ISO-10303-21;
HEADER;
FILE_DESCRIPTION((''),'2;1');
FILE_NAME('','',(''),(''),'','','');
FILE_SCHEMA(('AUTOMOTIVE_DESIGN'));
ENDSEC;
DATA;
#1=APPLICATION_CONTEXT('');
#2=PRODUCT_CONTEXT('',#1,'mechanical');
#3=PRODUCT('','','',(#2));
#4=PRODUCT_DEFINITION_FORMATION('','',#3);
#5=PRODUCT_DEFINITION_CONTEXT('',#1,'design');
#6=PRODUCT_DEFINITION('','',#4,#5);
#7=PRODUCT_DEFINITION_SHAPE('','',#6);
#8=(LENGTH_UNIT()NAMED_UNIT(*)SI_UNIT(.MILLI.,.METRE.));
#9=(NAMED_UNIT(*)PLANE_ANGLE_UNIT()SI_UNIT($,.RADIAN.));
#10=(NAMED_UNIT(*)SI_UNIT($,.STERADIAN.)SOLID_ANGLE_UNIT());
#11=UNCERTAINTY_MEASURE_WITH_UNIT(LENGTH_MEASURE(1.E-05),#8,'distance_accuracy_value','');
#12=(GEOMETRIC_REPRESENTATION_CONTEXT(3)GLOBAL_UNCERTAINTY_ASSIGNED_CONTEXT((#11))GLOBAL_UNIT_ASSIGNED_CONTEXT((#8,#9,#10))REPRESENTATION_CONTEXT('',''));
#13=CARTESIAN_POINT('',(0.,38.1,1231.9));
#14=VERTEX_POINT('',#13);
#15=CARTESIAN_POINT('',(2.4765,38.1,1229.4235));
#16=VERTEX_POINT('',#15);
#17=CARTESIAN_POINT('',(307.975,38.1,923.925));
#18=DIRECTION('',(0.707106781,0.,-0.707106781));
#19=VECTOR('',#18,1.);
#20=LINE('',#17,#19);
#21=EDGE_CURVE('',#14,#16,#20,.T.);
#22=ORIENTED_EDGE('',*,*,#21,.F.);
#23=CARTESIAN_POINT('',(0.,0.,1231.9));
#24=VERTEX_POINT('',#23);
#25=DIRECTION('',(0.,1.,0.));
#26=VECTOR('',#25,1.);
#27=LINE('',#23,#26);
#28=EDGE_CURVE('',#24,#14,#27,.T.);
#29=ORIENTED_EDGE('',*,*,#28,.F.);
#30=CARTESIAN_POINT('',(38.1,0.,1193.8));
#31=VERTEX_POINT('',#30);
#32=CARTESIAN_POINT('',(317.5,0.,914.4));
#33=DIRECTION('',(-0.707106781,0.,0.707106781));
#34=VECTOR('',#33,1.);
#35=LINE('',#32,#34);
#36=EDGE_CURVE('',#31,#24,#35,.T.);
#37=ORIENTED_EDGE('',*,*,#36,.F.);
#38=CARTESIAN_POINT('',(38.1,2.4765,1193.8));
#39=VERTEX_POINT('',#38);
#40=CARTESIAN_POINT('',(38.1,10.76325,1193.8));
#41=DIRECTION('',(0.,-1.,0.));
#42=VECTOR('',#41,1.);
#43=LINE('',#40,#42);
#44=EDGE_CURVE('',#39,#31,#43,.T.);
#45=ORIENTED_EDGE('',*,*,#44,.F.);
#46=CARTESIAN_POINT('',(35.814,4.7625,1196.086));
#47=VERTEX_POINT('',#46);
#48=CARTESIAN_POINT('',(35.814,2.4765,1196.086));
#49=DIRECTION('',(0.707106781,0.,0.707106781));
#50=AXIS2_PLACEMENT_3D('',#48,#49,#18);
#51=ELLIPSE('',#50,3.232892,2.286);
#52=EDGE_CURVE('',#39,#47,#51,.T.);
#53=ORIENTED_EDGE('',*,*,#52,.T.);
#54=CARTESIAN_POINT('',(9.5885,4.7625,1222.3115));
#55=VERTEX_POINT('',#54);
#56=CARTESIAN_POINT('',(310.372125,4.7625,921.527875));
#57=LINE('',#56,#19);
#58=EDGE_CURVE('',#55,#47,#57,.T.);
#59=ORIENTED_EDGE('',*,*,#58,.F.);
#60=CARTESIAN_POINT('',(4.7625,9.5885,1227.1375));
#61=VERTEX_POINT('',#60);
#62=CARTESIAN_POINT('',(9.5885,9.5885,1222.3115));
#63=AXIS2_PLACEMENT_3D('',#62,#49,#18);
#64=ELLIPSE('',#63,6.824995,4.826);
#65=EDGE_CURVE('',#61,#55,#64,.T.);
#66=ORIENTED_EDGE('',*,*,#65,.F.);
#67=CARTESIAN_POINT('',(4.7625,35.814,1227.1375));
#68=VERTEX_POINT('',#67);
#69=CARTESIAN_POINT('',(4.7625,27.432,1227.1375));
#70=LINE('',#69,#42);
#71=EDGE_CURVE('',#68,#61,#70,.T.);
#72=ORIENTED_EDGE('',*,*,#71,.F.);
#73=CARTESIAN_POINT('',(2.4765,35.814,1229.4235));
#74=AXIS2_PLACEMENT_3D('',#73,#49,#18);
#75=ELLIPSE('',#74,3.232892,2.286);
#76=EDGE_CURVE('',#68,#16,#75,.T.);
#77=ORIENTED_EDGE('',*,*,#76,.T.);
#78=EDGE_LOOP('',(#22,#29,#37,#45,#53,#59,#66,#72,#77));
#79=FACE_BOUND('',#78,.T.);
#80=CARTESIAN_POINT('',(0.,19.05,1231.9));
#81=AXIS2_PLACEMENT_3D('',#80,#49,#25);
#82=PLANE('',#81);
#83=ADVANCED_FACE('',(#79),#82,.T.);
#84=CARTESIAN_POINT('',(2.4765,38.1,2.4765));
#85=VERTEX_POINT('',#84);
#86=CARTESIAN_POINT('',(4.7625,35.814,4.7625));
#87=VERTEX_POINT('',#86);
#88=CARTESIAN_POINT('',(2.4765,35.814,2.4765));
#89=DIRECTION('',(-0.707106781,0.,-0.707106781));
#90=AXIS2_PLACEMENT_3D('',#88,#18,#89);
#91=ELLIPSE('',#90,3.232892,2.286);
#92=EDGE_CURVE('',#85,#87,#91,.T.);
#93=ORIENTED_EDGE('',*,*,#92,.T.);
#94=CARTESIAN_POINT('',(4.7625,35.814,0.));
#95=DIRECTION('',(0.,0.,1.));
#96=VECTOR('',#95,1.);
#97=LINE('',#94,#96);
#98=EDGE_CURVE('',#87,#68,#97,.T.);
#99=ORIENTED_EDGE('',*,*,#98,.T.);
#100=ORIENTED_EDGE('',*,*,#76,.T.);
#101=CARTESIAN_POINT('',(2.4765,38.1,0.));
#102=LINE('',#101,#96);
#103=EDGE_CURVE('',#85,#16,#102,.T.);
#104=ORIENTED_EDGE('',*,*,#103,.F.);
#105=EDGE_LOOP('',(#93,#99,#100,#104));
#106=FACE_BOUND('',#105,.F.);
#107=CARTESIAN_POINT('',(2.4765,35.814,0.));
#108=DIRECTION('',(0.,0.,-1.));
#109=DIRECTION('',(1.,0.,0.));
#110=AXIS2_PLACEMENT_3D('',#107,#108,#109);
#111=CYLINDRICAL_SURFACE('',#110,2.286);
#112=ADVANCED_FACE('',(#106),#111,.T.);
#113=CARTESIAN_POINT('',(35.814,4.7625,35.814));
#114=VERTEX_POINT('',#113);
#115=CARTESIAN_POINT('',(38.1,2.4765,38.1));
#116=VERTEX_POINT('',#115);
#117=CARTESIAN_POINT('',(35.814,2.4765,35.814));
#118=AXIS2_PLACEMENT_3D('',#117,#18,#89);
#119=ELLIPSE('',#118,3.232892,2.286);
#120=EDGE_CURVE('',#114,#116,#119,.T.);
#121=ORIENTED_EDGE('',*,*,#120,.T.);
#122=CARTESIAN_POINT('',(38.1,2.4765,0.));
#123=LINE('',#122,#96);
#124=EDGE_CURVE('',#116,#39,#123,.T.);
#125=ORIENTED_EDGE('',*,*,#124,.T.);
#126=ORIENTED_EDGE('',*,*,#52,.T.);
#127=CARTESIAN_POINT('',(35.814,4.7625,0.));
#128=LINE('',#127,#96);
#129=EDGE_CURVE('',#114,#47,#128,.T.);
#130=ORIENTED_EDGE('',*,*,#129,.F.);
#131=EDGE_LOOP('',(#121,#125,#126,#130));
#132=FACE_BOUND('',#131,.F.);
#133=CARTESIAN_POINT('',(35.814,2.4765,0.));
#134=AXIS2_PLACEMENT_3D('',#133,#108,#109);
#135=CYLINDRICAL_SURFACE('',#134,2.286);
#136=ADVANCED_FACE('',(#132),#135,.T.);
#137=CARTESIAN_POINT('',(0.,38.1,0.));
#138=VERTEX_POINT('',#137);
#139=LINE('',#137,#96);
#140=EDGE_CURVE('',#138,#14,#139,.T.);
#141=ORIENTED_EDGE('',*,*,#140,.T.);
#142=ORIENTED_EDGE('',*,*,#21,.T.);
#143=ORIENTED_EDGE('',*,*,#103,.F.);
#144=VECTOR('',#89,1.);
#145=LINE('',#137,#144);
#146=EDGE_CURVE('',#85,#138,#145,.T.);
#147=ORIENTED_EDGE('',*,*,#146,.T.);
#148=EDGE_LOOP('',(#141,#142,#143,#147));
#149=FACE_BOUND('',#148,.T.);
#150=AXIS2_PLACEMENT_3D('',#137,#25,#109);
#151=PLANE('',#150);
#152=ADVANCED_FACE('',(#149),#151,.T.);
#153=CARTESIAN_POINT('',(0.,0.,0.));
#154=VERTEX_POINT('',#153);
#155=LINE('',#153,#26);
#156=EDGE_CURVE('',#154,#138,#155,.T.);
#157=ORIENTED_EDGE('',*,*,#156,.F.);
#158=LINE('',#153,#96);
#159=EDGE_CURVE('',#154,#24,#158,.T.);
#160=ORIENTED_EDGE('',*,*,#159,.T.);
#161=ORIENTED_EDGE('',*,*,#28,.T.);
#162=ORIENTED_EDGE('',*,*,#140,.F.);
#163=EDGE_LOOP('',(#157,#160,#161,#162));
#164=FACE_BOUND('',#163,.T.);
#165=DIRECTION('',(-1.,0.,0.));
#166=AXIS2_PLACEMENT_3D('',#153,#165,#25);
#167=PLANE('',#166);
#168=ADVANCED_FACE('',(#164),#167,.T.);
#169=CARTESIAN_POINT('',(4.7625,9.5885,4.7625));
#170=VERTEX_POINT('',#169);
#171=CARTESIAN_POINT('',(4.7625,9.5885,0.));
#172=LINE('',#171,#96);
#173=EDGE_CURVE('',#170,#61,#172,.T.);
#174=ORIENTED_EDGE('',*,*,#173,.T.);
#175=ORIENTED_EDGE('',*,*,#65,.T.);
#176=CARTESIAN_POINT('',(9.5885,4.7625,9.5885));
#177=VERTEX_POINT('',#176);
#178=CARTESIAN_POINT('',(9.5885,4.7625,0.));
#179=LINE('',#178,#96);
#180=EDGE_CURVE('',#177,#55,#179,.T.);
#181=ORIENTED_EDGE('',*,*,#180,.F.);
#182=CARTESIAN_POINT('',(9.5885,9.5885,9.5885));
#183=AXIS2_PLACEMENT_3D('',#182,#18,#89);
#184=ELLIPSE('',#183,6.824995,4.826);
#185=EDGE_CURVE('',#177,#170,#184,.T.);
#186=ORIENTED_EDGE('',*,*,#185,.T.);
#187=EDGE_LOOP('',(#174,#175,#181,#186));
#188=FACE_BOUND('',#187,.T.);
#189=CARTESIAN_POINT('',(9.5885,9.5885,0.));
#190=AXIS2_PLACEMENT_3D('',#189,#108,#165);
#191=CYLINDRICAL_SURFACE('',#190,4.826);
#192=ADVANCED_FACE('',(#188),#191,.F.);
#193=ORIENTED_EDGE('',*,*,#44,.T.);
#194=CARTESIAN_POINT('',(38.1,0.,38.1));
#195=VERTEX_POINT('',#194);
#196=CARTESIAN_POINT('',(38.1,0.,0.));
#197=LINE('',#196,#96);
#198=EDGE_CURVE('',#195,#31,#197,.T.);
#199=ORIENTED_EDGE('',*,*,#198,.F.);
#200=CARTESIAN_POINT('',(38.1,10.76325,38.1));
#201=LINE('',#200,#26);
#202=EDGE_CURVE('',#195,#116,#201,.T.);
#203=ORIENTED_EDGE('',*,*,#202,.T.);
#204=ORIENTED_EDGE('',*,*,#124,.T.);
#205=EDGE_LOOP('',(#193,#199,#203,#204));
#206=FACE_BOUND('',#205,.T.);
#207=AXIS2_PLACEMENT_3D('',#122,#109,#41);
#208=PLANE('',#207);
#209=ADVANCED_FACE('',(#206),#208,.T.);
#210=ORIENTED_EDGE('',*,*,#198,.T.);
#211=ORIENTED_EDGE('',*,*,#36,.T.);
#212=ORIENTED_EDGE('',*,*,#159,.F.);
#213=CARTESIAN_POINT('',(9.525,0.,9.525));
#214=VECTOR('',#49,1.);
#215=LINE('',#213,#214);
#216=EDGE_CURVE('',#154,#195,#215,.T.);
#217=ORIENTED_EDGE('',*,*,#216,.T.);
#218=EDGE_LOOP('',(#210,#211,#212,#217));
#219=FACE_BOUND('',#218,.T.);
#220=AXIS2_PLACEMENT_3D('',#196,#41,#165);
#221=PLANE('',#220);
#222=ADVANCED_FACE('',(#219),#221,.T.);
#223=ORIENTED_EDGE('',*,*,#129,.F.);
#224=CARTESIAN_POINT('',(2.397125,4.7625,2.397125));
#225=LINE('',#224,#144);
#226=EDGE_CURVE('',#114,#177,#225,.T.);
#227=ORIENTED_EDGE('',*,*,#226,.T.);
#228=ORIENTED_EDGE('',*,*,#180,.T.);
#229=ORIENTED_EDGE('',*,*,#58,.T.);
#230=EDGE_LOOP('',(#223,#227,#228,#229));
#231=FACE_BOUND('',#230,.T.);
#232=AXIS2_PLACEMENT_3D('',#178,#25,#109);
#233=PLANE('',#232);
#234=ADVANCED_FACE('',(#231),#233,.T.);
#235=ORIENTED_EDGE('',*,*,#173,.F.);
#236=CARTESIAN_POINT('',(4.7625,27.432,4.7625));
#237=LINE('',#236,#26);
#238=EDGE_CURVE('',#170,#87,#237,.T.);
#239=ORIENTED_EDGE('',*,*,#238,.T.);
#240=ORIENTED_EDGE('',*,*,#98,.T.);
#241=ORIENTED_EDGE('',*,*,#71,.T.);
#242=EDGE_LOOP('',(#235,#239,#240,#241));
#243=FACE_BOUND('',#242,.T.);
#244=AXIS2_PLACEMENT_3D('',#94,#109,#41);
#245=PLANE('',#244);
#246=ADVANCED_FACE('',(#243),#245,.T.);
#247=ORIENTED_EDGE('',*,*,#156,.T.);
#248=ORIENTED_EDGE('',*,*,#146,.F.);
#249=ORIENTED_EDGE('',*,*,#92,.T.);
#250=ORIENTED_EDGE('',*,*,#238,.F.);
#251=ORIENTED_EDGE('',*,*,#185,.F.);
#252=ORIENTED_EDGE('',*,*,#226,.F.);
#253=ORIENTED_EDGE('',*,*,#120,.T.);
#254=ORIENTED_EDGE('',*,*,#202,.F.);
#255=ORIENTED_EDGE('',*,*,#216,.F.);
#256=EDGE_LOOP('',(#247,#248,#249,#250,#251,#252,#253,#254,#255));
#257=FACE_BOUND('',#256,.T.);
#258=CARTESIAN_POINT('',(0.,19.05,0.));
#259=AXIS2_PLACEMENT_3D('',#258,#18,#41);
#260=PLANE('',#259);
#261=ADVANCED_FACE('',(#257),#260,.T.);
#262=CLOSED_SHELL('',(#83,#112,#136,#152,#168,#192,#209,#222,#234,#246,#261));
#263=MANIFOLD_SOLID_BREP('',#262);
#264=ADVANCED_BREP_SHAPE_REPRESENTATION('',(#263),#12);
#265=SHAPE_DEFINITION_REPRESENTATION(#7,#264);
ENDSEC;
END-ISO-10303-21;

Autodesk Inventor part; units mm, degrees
ref_plane "Start plane" through (0, 0, 0) normal (0, 0, 1) x (1, 0, 0)
ref_plane "End plane" through (0, 0, 1231.9) normal (0, 0, 1) x (1, 0, 0)
sketch "Sketch" plane through (0, 0, 0) normal (0, 0, 1) x (1, 0, 0)
  line L0 (38.1, 0) -> (0, 0)
  line L1 (0, 0) -> (0, 38.1)
  line L2 (0, 38.1) -> (2.4765, 38.1)
  line L3 (4.7625, 35.814) -> (4.7625, 9.5885)
  line L4 (9.5885, 4.7625) -> (35.814, 4.7625)
  line L5 (38.1, 2.4765) -> (38.1, 0)
  line L6 (0, -11.0414) -> (0, 31.5385) construction
  line L7 (-11.0414, 0) -> (31.5385, 0) construction
  arc A0 (4.7625, 9.5885) -> (9.5885, 4.7625) centre (9.5885, 9.5885) ccw
  arc A1 (4.7625, 35.814) -> (2.4765, 38.1) centre (2.4765, 35.814) ccw
  arc A2 (38.1, 2.4765) -> (35.814, 4.7625) centre (35.814, 2.4765) ccw
  line L8 (0, 48.4964) -> (0, -20.9644) construction
  line L9 (-20.9644, 0) -> (48.4964, 0) construction
  point P0 (4.7625, 38.1)
  point P1 (4.7625, 4.7625)
  point P2 (38.1, 4.7625)
  dimension "d0" = 38.1
  dimension "d1" = 38.1
  dimension "d2" = 4.7625
  dimension "d3" = 4.7625
  dimension "d10" = 0
  dimension "d11" = 0
  dimension "d14" = 4.826
  dimension "d15" = 2.286
extrude "Body" add sketch "Sketch" along normal up to surface (1231.9 mm away) from surface at 0
sketch "Sketch3" plane through (0, 0, 0) normal (0, 0, 1) x (1, 0, 0)
  line L0 (0, 0) -> (10, 0)
ref_plane "Work Plane3" through (0, 0, 0) normal (0, -1, 0) x (1, 0, 0)
sketch "Sketch4" plane through (0, 0, 0) normal (0, -1, 0) x (1, 0, 0)
  line L0 (-2, 0) -> (12, 0)
  line L1 (-2, 1231.9) -> (12, 1231.9)
  dimension "d17" = 1231.9
ref_plane "Work Plane4" through (0, 19.05, 1231.9) normal (0.7071, 0, 0.7071) x (0.7071, 0, -0.7071)
split "Split1" plane through (0, 19.05, 1231.9) removes the side toward (0.7071, 0, 0.7071)
ref_plane "Work Plane5" through (0, 19.05, 0) normal (0.7071, 0, -0.7071) x (-0.7071, 0, -0.7071)
split "Split2" plane through (0, 19.05, 0) removes the side toward (0.7071, 0, -0.7071)
equation "\"d0\" = G_H"
equation "\"d1\" = G_H"
equation "\"d2\" = G_T"
equation "\"d3\" = G_T"
equation "\"d14\" = G_IR"
equation "\"d15\" = G_ER"
equation "\"d4\" = G_L"
equation "\"G_H\" = 38.1"
equation "\"G_T\" = 4.7625"
equation "\"G_ER\" = 2.286"
equation "\"G_IR\" = 4.826"
equation "\"G_L\" = d17"
equation "\"ex\" = 0"
equation "\"G_OFFSET_START\" = 0"
equation "\"G_OFFSET_END\" = 0"
equation "\"d13\" = G_OFFSET_END + B_L"
equation "\"B_L\" = 1231.9"
properties part number "AISC - L 1.5 x 1.5 x 3/16 - 48.5" material "Aluminum 6061"
